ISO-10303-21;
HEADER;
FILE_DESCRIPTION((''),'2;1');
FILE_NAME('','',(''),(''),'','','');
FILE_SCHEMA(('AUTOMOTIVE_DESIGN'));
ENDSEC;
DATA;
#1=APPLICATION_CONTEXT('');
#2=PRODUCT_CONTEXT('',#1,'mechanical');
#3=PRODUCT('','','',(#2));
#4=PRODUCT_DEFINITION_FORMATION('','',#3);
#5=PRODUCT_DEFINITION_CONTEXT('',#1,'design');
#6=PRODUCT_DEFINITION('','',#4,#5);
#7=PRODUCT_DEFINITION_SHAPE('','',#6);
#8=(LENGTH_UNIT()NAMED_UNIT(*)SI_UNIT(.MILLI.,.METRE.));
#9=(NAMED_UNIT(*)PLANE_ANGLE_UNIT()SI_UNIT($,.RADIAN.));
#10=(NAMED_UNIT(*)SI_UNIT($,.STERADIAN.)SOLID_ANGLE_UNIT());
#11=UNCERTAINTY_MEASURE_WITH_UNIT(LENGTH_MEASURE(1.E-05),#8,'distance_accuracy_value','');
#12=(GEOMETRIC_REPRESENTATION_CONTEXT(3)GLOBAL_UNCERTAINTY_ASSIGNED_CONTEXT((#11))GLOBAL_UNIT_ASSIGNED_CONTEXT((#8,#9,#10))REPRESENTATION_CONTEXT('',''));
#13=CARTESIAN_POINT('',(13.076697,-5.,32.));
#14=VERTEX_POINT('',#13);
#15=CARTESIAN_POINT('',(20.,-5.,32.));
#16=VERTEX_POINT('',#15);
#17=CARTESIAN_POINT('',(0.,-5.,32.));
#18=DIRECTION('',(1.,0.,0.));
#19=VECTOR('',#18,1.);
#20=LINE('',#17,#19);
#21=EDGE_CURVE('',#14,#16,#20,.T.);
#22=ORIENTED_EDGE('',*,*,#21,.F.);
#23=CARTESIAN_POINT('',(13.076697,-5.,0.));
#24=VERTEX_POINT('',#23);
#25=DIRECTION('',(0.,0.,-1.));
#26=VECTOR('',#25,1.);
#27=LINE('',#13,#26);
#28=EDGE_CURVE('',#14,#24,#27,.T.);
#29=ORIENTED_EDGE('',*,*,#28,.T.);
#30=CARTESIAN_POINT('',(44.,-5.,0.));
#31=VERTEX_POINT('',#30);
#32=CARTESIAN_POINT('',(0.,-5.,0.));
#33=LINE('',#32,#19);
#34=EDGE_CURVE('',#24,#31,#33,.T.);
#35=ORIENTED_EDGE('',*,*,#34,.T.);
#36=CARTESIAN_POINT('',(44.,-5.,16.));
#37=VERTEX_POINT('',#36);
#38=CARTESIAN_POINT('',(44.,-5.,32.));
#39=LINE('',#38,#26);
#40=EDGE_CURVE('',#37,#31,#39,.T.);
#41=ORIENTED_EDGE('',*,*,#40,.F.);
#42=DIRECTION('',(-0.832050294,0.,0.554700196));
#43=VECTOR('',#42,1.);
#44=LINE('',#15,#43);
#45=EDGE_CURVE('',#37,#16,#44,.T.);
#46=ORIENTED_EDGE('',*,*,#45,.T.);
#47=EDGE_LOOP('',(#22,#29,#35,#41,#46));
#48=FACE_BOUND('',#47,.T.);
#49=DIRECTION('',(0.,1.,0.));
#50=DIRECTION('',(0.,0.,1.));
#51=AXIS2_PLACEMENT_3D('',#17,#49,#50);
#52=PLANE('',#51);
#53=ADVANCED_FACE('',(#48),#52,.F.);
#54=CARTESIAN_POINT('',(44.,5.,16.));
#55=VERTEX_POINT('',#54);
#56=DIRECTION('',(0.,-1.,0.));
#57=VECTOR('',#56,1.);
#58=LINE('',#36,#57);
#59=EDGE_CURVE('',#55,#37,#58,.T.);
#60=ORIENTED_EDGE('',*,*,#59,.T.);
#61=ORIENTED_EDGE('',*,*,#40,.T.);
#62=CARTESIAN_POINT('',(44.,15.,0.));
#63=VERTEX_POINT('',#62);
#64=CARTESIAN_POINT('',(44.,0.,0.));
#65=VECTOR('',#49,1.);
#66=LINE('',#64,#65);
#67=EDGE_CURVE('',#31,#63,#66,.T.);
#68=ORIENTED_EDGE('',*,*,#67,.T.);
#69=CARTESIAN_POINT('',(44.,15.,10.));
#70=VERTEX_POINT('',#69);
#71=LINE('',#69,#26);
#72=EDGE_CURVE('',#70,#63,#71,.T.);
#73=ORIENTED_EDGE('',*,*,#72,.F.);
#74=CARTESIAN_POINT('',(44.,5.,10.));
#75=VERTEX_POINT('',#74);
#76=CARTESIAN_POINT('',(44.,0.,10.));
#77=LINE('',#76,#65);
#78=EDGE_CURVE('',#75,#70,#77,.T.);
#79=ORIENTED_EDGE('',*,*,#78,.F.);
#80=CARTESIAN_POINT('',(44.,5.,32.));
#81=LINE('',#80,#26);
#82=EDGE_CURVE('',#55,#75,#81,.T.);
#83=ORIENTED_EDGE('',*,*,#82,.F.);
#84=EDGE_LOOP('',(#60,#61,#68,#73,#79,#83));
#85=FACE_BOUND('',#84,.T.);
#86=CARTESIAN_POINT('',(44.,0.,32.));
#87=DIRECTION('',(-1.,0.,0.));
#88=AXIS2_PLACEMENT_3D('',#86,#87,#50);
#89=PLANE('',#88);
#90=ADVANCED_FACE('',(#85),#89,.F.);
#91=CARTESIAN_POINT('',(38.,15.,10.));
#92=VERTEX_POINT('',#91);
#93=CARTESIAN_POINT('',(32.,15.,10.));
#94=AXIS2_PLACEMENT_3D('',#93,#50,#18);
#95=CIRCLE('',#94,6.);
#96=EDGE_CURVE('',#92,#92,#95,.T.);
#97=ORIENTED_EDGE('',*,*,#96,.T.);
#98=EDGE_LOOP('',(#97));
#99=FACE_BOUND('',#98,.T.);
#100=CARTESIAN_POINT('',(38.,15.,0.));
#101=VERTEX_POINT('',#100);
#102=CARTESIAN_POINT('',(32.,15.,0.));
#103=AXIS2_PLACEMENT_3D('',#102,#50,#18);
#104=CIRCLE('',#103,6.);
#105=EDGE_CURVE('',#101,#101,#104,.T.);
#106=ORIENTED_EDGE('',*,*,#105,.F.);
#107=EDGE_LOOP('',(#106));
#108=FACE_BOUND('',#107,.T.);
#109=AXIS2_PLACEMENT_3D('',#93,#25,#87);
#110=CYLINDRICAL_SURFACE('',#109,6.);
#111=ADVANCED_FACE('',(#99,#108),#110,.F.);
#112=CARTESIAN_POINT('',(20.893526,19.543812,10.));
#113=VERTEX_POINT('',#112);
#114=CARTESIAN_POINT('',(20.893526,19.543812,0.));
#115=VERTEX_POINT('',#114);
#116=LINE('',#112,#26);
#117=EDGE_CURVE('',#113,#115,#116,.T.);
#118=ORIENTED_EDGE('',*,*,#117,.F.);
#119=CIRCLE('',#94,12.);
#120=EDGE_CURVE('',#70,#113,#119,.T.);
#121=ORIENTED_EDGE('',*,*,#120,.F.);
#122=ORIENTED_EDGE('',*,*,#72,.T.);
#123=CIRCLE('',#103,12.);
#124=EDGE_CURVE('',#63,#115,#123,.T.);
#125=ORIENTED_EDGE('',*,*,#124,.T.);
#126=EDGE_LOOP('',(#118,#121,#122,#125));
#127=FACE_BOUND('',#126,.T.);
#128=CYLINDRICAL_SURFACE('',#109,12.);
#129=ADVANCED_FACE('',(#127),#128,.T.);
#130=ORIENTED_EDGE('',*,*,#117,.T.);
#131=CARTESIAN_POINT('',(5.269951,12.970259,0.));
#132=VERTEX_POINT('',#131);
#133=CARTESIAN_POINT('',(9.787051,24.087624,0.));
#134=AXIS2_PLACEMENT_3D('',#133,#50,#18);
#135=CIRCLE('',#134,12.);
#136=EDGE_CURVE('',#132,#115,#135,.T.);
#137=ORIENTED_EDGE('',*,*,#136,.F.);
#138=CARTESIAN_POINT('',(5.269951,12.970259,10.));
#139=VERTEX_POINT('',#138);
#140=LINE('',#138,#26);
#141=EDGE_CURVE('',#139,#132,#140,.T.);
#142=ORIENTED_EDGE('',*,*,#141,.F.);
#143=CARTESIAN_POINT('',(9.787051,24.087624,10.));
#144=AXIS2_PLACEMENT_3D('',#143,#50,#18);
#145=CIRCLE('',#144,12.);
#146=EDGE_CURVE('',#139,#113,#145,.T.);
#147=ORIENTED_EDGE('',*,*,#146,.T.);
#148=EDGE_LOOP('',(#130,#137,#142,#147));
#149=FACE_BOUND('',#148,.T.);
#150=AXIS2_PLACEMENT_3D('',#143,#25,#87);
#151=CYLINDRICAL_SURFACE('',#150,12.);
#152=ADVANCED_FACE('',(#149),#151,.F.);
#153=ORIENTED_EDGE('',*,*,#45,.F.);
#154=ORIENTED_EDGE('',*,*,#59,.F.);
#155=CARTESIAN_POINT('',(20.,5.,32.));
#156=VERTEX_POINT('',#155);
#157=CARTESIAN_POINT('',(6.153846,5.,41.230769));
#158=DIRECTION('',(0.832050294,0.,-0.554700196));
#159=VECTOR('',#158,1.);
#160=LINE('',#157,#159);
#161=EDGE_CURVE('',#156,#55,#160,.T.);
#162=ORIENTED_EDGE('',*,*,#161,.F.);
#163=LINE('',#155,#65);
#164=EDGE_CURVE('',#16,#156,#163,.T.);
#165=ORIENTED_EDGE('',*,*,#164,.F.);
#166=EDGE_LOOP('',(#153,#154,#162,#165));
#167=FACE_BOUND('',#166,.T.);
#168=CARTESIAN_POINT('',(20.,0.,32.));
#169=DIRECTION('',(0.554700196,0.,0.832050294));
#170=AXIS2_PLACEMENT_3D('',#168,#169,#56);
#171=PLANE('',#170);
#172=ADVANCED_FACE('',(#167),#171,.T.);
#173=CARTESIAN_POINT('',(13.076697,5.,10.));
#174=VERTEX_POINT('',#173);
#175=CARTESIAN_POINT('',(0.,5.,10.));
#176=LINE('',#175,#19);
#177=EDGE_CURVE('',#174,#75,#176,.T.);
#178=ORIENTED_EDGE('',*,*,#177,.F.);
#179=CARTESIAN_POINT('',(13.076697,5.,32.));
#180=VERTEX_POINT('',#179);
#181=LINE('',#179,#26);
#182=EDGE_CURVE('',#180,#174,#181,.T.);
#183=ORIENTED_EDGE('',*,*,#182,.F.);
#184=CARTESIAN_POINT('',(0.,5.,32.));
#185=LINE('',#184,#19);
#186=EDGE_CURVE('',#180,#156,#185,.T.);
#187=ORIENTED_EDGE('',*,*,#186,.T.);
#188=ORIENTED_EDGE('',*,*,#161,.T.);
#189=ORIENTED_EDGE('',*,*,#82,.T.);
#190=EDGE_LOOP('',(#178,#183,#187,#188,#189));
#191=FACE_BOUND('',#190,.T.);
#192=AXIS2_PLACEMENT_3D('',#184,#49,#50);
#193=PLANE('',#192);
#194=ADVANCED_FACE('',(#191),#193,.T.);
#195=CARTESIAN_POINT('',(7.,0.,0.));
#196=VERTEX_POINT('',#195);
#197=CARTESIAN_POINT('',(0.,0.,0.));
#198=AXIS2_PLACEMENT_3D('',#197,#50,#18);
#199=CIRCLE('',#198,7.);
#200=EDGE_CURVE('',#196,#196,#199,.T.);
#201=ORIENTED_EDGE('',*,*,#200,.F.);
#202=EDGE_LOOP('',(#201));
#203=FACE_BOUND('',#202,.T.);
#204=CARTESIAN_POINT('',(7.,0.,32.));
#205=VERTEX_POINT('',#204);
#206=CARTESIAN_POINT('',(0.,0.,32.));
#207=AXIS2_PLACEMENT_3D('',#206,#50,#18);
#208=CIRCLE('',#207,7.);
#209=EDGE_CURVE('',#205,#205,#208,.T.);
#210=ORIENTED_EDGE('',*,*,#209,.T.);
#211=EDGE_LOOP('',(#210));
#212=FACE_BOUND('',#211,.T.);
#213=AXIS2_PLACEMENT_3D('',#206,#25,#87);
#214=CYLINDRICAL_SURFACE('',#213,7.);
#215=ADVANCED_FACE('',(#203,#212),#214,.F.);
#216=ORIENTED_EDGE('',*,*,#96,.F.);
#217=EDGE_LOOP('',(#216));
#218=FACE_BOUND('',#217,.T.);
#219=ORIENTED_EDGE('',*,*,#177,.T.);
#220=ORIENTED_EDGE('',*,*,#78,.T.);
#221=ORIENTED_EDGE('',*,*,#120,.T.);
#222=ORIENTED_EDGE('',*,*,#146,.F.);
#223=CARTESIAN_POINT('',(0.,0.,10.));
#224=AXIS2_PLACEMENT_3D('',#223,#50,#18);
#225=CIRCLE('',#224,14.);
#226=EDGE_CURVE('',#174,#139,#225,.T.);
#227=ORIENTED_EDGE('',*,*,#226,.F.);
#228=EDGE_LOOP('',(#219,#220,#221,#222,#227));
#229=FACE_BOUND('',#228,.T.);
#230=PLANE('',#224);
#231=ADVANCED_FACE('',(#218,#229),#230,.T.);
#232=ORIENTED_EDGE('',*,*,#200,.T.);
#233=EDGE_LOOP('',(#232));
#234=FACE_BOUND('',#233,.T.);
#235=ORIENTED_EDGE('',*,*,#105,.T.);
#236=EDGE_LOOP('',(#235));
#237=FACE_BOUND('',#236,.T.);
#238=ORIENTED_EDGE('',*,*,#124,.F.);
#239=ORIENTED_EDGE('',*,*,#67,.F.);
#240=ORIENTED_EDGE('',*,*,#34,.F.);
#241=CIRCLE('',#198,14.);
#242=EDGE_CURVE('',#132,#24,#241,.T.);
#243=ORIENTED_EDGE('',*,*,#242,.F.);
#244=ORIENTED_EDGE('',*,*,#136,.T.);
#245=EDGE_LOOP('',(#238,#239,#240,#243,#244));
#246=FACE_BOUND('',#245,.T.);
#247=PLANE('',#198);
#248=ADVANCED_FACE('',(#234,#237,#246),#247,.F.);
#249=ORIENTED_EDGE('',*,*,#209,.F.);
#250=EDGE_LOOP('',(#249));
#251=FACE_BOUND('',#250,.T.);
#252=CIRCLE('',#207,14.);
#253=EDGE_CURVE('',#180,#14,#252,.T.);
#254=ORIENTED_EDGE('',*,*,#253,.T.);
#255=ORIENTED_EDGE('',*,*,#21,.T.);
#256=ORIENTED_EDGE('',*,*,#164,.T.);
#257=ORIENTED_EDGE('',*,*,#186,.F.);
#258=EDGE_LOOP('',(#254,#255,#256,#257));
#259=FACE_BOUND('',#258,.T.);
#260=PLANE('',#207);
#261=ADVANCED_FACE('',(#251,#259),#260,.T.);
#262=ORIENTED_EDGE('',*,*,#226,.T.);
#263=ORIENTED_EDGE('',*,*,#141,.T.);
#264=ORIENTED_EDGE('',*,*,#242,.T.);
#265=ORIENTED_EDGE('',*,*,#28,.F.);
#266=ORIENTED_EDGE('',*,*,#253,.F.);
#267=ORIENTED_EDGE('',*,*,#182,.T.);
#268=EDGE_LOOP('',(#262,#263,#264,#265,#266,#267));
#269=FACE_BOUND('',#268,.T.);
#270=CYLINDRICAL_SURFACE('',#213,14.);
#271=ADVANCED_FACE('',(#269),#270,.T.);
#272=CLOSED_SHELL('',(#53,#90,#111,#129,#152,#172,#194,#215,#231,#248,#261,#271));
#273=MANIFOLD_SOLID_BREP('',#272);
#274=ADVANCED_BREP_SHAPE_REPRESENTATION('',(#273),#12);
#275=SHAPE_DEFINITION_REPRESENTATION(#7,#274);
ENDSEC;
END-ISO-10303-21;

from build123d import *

# Parameters (mm, degrees)
SKETCH1_R           = 7
BOSS_EXTRUDE1_DEPTH = 32
SKETCH1_3_R         = 6
BOSS_EXTRUDE2_DEPTH = 10
CHAMFER1_SIZE       = 16
CHAMFER1_SIZE2      = 24


with BuildPart() as part:
    # Sketch1 → Boss-Extrude1 (new body)
    with BuildSketch(Plane.XY):
        with BuildLine():
            ThreePointArc((5.269950687, 12.970259047), (-12.84065502, -5.578313245), (13.076696831, -5))
            Line((13.076696831, -5), (44, -5))
            Line((44, -5), (44, 5))
            Line((44, 5), (20, 5))
            Line((20, 5), (13.076696831, 5))
            ThreePointArc((13.076696831, 5), (10.001556184, 9.796370445), (5.269950687, 12.970259047))
        make_face()
        Circle(SKETCH1_R, mode=Mode.SUBTRACT)
    extrude(amount=BOSS_EXTRUDE1_DEPTH)

    # Sketch1<3> → Boss-Extrude2 (add)
    with BuildSketch(Plane.XY):
        with BuildLine():
            ThreePointArc((20.893525638, 19.543811973), (14.440852002, 13.026785876), (5.269950687, 12.970259047))
            ThreePointArc((5.269950687, 12.970259047), (10.001556184, 9.796370445), (13.076696831, 5))
            Line((13.076696831, 5), (20, 5))
            Line((20, 5), (44, 5))
            Line((44, 5), (44, 15))
            ThreePointArc((44, 15), (34.315416556, 26.774499827), (20.893525638, 19.543811973))
        make_face()
        with Locations((32, 15)):
            Circle(SKETCH1_3_R, mode=Mode.SUBTRACT)
    extrude(amount=BOSS_EXTRUDE2_DEPTH)

    # Chamfer1
    chamfer1_edges = [part.edges().sort_by_distance(p)[0] for p in [
        (44, 0, 32),
    ]]
    chamfer1_side = [part.faces().sort_by_distance(p)[0] for p in [
        (44, 2.380952381, 13.380952381),
    ]]
    chamfer(chamfer1_edges, length=CHAMFER1_SIZE, length2=CHAMFER1_SIZE2, reference=chamfer1_side[0])


solid = part.part
